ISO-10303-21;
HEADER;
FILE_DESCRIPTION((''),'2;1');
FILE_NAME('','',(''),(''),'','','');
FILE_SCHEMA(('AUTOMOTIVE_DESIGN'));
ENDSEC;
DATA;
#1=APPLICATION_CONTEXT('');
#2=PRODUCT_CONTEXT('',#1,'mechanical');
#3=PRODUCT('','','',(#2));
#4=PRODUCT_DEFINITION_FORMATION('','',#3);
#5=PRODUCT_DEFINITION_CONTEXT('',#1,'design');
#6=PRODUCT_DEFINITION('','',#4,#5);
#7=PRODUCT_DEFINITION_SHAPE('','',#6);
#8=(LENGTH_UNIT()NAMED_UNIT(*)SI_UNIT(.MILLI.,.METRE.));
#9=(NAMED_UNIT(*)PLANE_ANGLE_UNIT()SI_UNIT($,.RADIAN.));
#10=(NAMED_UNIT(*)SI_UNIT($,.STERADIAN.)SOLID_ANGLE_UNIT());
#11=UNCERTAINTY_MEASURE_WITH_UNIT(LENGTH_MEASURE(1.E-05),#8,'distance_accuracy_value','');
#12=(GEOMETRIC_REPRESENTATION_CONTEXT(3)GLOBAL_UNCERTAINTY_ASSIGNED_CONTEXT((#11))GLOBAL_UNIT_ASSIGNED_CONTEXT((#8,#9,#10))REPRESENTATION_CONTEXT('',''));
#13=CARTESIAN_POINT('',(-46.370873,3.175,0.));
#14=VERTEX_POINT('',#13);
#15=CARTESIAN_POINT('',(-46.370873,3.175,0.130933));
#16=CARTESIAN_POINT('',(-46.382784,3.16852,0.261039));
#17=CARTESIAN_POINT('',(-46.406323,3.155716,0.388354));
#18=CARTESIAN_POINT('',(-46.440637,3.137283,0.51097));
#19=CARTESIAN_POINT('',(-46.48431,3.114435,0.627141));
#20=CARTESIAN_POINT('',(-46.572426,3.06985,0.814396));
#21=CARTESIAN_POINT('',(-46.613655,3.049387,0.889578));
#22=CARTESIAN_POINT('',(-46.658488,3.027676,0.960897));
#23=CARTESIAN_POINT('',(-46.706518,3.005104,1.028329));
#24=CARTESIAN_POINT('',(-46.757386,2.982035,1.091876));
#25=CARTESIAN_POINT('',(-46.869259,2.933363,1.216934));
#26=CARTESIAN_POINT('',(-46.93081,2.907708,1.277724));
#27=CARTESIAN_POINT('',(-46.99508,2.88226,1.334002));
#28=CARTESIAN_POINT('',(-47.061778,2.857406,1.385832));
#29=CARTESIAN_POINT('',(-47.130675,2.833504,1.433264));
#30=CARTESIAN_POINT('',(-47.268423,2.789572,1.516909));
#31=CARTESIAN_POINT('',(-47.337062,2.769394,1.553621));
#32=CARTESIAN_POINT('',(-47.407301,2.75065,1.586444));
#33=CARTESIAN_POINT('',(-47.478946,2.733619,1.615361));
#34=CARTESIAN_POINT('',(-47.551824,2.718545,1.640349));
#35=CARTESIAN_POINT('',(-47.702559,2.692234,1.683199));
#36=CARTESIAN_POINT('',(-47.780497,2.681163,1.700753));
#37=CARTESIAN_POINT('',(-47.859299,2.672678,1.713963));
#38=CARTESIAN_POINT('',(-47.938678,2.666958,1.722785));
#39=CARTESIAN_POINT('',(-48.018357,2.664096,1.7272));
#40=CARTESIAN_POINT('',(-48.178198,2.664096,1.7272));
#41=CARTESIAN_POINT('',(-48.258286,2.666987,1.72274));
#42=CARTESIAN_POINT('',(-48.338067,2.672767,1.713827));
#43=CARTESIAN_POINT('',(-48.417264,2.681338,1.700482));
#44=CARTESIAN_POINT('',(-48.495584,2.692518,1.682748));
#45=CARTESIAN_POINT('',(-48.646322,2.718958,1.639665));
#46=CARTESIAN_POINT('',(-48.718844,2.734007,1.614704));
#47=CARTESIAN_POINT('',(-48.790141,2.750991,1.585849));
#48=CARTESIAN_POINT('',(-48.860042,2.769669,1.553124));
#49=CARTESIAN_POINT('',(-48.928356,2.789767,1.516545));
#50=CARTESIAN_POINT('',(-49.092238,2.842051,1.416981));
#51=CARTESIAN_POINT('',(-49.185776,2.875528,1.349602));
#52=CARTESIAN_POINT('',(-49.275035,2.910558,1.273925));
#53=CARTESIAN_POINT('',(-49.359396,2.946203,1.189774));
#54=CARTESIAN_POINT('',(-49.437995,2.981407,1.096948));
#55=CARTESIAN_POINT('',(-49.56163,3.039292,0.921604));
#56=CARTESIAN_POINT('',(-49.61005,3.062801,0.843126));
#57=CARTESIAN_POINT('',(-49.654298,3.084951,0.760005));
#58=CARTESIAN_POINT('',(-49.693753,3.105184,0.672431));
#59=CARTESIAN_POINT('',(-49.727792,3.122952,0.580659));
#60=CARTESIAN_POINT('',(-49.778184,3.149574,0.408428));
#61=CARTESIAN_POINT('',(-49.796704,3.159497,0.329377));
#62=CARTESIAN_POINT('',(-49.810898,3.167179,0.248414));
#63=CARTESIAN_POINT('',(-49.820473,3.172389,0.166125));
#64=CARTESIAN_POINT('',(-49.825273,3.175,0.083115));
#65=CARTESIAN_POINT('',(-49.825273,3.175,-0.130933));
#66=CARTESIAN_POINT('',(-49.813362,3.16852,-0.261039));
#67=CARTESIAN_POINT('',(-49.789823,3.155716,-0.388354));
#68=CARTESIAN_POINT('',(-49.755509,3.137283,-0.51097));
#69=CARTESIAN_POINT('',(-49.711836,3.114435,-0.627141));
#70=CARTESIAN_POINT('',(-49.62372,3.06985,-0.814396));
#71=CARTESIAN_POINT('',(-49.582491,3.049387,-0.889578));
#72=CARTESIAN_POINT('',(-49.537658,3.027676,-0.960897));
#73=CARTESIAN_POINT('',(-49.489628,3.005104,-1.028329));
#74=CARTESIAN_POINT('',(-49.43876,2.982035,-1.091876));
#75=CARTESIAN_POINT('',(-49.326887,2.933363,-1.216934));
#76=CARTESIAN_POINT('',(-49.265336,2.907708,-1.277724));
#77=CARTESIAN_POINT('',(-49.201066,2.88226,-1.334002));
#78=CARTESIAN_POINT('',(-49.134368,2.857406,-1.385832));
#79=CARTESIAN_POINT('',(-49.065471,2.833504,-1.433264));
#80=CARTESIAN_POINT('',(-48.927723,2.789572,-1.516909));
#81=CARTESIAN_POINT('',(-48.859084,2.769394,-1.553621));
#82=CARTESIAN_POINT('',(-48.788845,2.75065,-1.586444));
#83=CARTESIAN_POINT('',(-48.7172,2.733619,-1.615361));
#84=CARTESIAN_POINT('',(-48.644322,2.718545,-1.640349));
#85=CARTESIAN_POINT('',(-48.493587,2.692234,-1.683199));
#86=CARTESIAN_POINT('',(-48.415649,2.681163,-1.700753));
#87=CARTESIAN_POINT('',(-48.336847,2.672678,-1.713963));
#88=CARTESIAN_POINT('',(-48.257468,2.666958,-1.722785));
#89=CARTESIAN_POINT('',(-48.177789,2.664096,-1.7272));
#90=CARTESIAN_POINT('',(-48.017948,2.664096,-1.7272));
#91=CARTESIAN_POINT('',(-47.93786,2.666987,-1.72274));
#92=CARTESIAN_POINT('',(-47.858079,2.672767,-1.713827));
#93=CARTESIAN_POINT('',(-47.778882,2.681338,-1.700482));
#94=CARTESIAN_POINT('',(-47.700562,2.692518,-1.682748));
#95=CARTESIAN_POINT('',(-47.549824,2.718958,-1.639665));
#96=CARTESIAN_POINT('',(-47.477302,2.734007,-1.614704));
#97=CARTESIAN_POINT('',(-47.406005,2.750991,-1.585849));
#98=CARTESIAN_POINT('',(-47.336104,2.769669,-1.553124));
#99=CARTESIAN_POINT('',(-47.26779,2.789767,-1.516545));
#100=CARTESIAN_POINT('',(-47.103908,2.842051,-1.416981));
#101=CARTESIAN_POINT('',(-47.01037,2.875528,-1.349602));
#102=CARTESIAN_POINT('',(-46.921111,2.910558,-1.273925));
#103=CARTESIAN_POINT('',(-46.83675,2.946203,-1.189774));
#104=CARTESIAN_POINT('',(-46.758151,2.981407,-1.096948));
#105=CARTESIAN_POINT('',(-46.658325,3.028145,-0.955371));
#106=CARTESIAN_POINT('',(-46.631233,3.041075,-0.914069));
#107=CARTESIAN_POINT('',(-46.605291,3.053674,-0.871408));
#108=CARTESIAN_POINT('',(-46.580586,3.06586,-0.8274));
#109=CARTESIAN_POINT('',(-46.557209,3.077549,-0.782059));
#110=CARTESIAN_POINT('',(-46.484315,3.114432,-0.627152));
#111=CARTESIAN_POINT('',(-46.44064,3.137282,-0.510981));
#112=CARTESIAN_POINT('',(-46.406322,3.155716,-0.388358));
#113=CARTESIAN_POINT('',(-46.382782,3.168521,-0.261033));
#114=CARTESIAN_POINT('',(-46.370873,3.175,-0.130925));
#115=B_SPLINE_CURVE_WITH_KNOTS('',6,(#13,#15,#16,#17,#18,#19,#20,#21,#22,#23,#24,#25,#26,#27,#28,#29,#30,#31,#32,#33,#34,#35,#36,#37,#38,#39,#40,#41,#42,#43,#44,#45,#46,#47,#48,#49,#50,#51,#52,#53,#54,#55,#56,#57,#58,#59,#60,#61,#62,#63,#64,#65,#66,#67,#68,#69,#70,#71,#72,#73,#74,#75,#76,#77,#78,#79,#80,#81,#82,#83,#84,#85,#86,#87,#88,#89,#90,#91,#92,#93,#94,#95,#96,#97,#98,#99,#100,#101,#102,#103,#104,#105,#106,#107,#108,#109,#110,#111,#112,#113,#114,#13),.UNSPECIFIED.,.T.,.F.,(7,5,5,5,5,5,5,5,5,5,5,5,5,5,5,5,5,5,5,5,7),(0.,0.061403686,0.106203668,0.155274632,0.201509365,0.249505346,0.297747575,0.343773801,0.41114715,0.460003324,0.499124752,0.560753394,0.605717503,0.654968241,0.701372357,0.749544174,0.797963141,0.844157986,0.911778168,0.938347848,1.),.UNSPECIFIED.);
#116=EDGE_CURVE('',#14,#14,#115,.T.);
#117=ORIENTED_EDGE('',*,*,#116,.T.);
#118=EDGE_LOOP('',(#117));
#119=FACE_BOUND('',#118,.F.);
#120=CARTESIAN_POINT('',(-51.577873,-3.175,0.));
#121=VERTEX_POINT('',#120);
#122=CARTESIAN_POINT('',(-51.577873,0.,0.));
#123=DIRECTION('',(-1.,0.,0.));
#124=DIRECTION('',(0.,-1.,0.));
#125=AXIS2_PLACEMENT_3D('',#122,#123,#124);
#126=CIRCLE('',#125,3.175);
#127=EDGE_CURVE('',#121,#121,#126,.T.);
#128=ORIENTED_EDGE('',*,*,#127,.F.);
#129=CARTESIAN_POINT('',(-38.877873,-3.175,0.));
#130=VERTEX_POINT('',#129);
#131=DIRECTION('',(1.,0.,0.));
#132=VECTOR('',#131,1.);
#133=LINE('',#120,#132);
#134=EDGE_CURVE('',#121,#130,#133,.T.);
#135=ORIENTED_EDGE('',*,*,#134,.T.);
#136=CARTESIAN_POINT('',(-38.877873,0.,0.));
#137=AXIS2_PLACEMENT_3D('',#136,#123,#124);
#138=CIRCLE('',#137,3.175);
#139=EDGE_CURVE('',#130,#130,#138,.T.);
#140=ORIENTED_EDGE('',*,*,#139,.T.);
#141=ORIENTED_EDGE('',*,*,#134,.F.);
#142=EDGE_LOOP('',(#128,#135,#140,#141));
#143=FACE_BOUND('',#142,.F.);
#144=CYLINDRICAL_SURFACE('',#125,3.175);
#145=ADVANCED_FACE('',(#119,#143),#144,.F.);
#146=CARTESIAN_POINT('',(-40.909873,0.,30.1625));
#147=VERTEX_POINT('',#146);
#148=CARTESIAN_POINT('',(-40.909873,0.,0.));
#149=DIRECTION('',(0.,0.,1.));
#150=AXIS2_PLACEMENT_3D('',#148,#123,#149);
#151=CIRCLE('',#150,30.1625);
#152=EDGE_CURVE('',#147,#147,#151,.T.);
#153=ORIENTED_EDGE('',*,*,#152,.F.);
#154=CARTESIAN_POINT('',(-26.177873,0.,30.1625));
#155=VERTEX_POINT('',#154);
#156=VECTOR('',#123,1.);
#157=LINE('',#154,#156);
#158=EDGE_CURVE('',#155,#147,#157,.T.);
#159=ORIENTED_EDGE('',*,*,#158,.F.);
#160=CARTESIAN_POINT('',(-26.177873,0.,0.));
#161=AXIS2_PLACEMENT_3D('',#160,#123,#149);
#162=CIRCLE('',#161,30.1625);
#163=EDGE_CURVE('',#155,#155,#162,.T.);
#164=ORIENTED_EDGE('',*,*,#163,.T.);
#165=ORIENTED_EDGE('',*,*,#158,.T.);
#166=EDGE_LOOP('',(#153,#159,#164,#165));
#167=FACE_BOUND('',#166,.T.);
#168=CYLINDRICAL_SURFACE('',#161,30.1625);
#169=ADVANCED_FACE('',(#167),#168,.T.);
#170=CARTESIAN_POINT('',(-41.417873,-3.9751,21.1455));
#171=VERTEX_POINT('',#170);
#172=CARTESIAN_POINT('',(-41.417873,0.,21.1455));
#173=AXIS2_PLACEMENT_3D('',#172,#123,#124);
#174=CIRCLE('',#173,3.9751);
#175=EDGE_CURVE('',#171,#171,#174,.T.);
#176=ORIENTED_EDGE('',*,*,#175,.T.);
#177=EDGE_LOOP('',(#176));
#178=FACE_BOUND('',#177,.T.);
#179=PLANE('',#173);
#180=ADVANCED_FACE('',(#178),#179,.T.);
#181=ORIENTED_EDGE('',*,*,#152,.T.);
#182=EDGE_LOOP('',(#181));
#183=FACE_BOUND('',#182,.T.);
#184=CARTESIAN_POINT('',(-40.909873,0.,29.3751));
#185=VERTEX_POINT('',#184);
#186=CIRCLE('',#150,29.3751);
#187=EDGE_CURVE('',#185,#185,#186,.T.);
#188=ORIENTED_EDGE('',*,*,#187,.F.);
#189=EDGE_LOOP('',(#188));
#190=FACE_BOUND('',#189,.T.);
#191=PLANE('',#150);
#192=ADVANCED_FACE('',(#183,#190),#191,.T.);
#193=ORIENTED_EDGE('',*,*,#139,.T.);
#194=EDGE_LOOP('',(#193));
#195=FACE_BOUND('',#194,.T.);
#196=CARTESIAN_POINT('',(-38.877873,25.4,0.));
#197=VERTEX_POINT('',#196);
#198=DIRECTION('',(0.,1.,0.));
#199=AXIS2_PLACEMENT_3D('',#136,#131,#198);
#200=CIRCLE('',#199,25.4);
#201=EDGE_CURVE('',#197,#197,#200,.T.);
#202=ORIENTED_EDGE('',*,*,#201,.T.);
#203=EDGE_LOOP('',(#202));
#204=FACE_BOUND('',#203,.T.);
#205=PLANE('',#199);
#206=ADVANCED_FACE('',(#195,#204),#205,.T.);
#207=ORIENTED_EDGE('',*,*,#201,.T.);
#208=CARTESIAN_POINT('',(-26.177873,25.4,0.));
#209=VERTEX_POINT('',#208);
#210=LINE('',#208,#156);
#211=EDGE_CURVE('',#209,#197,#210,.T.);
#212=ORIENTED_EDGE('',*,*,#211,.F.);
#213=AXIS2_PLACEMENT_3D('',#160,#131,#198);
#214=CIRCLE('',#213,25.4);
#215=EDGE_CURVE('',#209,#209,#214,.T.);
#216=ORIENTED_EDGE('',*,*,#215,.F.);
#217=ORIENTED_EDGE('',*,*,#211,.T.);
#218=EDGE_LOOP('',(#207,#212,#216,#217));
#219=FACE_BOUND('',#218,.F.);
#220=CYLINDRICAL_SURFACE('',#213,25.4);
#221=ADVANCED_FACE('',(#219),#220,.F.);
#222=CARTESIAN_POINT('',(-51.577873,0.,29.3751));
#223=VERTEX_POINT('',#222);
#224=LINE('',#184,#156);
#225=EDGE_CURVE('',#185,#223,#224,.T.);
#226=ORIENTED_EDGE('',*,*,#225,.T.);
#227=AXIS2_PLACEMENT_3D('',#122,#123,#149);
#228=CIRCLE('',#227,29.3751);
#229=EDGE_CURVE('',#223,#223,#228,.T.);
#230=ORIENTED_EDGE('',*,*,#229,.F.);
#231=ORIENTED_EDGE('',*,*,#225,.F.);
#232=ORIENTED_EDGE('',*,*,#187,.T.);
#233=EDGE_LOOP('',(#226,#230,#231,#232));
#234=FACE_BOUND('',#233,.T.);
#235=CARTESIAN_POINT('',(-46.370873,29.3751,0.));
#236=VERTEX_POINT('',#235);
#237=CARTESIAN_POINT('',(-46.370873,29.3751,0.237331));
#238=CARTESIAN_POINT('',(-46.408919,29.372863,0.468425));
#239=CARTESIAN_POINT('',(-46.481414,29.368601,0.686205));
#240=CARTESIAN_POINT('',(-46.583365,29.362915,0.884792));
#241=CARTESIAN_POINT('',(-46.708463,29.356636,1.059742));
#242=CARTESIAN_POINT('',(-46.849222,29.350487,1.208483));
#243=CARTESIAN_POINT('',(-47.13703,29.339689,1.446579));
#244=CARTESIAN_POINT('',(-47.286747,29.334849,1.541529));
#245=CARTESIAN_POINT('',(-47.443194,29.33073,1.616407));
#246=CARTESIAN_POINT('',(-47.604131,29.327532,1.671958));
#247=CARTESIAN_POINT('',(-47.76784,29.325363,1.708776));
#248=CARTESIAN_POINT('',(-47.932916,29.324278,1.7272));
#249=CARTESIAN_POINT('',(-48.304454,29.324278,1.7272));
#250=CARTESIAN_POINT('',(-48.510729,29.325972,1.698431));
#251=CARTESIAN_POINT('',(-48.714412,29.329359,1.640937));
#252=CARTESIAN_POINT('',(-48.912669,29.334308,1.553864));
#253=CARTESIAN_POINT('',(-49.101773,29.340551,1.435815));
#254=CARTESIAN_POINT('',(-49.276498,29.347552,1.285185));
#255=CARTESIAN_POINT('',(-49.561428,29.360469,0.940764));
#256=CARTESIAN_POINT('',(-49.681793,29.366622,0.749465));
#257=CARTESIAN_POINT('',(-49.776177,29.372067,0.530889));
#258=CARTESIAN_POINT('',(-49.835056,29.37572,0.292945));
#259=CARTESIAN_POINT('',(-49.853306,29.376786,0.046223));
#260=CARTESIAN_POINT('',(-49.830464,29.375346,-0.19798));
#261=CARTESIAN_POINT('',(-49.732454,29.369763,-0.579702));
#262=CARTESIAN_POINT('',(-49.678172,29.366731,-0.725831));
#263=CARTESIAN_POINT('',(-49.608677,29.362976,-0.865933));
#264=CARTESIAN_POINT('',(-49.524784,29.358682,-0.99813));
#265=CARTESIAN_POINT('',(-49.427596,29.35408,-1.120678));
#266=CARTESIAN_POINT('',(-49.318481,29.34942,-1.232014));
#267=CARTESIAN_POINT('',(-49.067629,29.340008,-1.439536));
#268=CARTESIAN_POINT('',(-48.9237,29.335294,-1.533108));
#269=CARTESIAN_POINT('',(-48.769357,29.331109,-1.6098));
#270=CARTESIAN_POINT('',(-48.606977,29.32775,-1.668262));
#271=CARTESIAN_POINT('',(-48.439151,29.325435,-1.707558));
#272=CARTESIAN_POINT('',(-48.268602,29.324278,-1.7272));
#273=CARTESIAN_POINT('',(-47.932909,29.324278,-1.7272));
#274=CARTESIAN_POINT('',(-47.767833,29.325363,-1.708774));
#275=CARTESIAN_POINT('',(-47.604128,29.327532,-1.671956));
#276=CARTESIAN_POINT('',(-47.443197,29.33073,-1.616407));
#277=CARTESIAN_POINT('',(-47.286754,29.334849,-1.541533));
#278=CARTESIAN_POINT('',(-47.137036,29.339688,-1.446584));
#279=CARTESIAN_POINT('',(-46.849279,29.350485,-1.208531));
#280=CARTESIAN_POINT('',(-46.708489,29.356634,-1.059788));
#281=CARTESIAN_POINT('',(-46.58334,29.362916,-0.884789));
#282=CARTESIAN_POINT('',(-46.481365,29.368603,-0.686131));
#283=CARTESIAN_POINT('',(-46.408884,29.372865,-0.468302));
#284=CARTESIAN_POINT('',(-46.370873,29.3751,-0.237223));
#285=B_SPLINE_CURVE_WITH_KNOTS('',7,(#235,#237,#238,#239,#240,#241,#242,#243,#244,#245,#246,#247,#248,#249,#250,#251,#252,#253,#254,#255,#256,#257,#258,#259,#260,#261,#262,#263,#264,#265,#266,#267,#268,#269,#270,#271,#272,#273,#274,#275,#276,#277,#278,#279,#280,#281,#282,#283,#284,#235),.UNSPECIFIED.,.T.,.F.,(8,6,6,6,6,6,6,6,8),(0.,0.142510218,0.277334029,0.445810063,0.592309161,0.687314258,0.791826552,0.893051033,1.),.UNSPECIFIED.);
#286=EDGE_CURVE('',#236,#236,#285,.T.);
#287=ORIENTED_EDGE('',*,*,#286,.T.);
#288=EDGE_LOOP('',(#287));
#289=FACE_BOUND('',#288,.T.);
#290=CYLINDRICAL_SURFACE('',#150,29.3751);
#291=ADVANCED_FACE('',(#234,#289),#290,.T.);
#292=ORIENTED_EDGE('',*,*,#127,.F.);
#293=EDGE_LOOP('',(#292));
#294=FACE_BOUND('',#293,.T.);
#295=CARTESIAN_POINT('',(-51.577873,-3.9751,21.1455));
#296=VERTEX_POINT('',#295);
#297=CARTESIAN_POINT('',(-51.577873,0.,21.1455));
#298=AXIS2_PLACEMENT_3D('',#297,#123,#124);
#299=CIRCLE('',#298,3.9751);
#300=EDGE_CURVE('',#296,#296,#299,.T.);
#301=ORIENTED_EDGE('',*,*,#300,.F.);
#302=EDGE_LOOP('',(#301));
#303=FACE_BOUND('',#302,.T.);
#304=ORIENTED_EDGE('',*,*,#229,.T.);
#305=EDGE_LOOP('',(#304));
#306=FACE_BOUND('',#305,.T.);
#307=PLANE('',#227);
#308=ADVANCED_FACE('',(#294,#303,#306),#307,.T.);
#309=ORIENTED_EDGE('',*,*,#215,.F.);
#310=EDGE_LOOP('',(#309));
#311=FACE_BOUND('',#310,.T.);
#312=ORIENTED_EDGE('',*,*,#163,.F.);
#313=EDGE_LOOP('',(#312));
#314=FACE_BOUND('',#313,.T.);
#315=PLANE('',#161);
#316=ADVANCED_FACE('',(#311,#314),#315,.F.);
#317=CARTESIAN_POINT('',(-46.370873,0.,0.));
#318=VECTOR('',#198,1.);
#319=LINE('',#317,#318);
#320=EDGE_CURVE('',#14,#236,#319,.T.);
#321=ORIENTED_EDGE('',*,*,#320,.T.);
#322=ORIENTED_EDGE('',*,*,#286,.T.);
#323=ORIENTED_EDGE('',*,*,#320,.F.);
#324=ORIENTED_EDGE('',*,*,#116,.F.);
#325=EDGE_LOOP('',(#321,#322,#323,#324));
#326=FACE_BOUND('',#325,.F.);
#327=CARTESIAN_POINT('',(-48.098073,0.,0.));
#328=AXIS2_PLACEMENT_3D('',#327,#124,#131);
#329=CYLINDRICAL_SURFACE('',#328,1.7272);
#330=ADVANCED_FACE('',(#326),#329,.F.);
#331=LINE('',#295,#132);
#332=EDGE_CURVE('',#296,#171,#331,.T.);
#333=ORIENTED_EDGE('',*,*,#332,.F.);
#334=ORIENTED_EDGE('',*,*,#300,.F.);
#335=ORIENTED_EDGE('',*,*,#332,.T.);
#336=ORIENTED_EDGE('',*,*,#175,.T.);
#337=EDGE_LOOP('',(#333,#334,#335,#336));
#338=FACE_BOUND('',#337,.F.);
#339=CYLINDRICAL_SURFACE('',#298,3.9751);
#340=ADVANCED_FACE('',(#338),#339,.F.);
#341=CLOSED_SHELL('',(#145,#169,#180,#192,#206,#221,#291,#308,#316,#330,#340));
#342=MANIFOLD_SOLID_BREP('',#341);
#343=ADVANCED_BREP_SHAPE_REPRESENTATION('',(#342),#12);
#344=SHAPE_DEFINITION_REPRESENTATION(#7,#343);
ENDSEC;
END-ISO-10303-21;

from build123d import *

# Parameters (mm, degrees)
F2_R     = 25.4
F3_DEPTH = 12.7
F4_R     = 3.175
F5_DEPTH = 25.4
F6_R     = 3.9751
F7_DEPTH = 10.16
F8_R     = 1.7272
F9_DEPTH = 70.55837


with BuildPart() as f1:
    # F0 (on Front) → F1 (revolve)
    with BuildSketch(Plane.XZ):
        Polygon((-51.577873, 29.3751), (-51.577873, 0), (-26.177873, 0), (-26.177873, 30.1625), (-40.909873, 30.1625), (-40.909873, 29.3751), align=None)
    revolve(axis=Axis((-38.877873, 0, 0), (-1, 0, 0)))

    # F2 (on face) → F3 (cut)
    with BuildSketch(Plane.YZ.offset(-26.177873)):
        Circle(F2_R)
    extrude(amount=-F3_DEPTH, mode=Mode.SUBTRACT)

    # F4 (on face) → F5 (cut)
    with BuildSketch(Plane(origin=(-51.577873, 0, 0), x_dir=(0, -1, 0), z_dir=(-1, 0, 0))):
        Circle(F4_R)
    extrude(amount=-F5_DEPTH, mode=Mode.SUBTRACT)

    # F6 (on face) → F7 (cut)
    with BuildSketch(Plane(origin=(-51.577873, 0, 0), x_dir=(0, -1, 0), z_dir=(-1, 0, 0))):
        with Locations((0, 21.1455)):
            Circle(F6_R)
    extrude(amount=-F7_DEPTH, mode=Mode.SUBTRACT)

    # F8 (on Front) → F9 (cut)
    with BuildSketch(Plane.XZ):
        with Locations((-48.098073, 0)):
            Circle(F8_R)
    extrude(amount=-F9_DEPTH, mode=Mode.SUBTRACT)


solid = f1.part
